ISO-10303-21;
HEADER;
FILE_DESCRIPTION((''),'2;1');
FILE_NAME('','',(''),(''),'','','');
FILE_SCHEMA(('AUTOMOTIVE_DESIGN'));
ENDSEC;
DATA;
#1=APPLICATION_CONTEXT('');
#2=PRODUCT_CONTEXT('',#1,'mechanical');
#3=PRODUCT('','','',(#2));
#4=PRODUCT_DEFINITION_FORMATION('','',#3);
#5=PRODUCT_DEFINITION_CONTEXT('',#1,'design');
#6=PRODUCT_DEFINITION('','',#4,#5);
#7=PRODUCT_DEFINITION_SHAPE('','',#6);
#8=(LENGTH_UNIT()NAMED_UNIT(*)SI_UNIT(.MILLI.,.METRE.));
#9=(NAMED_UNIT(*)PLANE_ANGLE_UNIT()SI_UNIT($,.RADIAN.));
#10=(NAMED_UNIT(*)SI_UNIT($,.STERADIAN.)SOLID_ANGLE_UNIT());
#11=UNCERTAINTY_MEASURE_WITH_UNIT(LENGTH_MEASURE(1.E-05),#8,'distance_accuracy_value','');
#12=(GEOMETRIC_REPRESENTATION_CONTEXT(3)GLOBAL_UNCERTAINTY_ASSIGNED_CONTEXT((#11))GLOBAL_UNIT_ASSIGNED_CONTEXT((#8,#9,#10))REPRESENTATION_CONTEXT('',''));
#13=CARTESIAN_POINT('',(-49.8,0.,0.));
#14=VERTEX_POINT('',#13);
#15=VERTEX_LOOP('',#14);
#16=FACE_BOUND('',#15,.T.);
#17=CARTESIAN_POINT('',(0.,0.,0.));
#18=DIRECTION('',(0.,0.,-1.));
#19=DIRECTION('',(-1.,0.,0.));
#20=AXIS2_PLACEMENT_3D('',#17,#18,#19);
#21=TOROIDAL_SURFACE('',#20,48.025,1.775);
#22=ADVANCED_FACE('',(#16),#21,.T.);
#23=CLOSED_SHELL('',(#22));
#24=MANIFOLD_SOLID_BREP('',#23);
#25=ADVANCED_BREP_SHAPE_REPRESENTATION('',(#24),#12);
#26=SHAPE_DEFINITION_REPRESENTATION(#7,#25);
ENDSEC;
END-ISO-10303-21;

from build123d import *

# Parameters (mm, degrees)
SKETCH2_R = 1.775


with BuildPart() as part:
    # Sweep1: sweep along a path in Sketch1
    with BuildLine(Plane.XY) as sweep1_path:
        CenterArc((0, 0), 46.25, 0, 360)
    # Sketch2 → Sweep1 (sweep)
    with BuildSketch(Plane(origin=(0, 0, 0), x_dir=(1, 0, 0), z_dir=(0, 1, 0))):
        with Locations((-48.025, 0)):
            Circle(SKETCH2_R)
    sweep(path=sweep1_path.line)


solid = part.part
